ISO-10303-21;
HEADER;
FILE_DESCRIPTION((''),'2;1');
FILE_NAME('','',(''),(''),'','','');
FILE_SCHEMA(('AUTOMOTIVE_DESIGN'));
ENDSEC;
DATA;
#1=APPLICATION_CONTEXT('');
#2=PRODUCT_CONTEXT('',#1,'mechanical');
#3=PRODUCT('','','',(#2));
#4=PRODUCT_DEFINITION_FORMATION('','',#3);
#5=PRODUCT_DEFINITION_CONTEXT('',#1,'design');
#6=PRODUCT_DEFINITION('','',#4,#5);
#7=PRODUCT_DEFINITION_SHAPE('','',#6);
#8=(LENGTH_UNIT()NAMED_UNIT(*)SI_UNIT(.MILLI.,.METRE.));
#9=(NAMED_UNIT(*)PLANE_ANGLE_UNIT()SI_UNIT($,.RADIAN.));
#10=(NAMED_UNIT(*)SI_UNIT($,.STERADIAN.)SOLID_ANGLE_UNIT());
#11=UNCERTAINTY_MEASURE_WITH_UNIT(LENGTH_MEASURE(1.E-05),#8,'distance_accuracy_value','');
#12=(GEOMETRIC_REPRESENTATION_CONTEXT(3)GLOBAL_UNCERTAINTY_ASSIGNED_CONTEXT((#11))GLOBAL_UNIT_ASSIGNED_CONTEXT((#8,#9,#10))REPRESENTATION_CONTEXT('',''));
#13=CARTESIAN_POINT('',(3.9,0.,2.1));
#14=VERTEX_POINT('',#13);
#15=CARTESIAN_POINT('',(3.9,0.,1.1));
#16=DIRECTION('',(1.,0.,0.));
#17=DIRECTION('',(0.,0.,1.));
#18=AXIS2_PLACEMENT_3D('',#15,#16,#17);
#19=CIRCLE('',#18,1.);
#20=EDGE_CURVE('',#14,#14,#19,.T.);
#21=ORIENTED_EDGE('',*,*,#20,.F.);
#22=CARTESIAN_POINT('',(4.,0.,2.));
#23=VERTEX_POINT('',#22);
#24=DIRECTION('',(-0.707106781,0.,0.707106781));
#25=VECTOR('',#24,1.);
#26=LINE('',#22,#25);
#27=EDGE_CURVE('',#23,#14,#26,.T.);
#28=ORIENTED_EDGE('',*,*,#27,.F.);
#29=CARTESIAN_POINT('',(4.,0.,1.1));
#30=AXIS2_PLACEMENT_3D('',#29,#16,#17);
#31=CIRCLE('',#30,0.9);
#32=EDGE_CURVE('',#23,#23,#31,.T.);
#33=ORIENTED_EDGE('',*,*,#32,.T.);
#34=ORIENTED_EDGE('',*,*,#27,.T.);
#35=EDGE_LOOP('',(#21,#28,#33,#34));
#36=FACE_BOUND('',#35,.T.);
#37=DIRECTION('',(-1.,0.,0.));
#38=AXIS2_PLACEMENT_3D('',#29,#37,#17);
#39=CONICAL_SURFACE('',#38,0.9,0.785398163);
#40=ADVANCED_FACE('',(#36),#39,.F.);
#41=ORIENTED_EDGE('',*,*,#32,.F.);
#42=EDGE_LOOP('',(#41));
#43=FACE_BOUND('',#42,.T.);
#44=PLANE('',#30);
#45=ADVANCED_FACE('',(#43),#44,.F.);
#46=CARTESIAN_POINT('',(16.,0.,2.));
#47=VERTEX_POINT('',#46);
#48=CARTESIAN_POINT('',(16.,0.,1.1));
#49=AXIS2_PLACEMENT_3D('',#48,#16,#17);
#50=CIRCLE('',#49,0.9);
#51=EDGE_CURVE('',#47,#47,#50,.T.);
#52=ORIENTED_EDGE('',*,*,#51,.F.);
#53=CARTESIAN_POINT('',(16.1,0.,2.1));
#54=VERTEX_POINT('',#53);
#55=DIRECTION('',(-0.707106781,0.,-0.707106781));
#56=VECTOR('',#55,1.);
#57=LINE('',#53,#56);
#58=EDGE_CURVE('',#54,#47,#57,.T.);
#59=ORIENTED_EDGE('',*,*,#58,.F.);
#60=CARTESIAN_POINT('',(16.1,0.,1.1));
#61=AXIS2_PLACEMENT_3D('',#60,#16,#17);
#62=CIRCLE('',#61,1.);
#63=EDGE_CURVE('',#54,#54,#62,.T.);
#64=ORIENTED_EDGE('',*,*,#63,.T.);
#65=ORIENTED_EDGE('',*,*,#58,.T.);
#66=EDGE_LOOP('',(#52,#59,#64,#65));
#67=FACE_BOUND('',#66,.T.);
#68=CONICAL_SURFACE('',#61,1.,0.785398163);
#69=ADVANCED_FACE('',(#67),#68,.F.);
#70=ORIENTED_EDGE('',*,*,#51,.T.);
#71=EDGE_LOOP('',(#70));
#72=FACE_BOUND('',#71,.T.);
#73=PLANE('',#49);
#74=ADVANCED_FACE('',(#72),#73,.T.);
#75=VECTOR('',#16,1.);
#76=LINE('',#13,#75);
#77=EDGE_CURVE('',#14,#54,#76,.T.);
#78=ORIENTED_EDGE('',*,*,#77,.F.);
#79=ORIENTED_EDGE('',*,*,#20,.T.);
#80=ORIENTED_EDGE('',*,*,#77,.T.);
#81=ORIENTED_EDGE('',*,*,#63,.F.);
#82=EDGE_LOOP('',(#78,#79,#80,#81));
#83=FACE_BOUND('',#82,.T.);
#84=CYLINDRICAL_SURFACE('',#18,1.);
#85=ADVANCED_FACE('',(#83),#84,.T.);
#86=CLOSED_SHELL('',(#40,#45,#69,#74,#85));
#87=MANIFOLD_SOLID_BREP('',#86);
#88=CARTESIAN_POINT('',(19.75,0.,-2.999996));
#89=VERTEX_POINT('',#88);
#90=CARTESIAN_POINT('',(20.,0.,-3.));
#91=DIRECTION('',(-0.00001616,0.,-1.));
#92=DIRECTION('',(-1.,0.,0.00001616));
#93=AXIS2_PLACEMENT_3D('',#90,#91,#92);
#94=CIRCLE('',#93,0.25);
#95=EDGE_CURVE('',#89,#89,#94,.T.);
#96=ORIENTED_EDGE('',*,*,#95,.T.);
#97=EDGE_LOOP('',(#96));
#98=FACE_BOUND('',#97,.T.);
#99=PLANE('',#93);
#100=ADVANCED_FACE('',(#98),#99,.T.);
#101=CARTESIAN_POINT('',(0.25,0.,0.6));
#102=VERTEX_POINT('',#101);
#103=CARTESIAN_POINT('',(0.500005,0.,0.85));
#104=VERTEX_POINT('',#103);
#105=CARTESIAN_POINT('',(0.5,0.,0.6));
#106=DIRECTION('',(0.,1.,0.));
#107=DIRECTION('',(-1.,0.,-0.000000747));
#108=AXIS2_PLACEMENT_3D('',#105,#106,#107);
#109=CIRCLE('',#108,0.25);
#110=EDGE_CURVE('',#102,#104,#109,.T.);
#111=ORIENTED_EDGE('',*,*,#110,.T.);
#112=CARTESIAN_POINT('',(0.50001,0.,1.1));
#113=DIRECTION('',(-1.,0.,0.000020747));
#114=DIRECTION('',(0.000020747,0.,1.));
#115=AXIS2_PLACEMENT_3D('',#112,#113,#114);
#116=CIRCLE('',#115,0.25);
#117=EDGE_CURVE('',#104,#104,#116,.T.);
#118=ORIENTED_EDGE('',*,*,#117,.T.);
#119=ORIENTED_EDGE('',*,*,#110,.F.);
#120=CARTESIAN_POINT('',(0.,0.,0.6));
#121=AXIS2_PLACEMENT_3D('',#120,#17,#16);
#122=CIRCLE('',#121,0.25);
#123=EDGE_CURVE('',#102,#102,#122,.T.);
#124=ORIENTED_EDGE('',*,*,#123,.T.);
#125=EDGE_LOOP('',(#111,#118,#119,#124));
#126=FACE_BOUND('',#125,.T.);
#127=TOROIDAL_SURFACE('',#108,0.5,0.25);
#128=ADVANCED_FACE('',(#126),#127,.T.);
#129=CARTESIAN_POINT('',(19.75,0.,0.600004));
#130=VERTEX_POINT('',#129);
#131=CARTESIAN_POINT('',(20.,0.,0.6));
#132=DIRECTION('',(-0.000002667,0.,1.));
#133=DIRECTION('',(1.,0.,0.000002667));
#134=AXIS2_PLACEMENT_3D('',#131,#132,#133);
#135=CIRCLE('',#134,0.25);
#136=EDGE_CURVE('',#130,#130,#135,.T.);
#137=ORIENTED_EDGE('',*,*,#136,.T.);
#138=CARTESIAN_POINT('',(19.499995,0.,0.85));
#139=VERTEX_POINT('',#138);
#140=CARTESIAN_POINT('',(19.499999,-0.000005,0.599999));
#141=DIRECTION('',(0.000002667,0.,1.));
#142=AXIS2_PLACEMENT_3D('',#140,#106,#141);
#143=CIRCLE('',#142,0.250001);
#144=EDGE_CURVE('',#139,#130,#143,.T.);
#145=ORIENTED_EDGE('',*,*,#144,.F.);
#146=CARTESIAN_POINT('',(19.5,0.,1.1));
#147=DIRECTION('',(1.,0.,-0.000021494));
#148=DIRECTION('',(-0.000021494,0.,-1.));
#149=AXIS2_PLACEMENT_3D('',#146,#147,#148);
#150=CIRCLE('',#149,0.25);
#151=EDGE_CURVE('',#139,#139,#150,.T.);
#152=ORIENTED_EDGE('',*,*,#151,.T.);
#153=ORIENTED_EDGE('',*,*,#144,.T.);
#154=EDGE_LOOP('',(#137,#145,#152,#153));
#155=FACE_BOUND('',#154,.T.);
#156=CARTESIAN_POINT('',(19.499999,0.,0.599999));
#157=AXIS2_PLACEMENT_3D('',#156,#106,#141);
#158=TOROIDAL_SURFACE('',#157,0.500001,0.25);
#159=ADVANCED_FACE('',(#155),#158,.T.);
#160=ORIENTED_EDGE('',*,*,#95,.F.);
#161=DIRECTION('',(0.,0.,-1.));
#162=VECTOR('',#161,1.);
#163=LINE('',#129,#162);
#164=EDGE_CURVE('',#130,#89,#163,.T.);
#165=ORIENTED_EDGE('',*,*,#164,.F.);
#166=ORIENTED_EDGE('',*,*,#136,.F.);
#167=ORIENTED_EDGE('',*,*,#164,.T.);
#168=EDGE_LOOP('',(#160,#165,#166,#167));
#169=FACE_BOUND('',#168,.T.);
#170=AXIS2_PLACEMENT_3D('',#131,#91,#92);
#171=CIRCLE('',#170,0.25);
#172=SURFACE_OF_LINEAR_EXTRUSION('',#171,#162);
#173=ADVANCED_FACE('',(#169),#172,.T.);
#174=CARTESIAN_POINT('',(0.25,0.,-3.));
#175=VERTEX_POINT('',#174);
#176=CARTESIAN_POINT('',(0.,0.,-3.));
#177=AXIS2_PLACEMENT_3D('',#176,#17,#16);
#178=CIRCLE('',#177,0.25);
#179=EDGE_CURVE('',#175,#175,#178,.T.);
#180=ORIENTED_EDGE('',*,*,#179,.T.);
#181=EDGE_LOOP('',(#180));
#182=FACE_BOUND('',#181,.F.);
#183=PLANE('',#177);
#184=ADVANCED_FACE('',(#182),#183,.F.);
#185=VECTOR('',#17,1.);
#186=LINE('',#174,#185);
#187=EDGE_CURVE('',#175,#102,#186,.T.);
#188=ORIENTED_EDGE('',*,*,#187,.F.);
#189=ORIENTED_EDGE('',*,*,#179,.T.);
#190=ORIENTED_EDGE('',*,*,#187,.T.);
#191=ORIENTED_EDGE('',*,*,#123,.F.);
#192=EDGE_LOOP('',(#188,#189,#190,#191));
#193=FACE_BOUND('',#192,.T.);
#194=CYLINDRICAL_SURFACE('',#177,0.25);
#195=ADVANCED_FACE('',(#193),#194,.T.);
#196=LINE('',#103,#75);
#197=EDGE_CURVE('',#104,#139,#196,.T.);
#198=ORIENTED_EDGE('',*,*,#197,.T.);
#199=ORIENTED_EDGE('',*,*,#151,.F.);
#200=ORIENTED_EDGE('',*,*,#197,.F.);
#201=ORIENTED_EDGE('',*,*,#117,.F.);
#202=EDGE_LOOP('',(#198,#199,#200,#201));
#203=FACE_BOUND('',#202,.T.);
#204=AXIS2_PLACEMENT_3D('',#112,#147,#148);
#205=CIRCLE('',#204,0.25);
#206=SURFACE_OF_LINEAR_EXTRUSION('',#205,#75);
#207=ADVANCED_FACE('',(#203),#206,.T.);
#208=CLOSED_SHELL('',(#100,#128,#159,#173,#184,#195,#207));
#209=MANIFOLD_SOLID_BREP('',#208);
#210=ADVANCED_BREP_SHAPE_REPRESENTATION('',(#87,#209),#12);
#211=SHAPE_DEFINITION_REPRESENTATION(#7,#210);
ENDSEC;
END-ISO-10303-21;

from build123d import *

# Parameters (mm, degrees)
SKETCH_R = 0.25


with BuildPart() as sweep_body:
    # Sweep: sweep along a path in Sketch001
    with BuildLine(Plane.XZ) as sweep_path:
        Line((0, -3), (0, 0.6))
        ThreePointArc((0, 0.6), (0.14645, 0.953557), (0.50001, 1.1))
        Line((0.50001, 1.1), (19.5, 1.1))
        ThreePointArc((19.5, 1.1), (19.853553, 0.953553), (20, 0.6))
        Line((20, 0.6), (20, -3))
    # Sketch → Sweep (sweep)
    with BuildSketch(Plane.XY.offset(-2)):
        Circle(SKETCH_R)
    sweep(path=sweep_path.line)


with BuildPart() as revolution:
    # Sketch002 → Revolution (revolve)
    with BuildSketch(Plane.XZ):
        Polygon((3.9, 2.1), (16.1, 2.1), (16, 2), (16, 1.1), (4, 1.1), (4, 2), align=None)
    revolve(axis=Axis((7.611803, 0, 1.1), (1, 0, 0)))


solid = Compound([sweep_body.part, revolution.part])
